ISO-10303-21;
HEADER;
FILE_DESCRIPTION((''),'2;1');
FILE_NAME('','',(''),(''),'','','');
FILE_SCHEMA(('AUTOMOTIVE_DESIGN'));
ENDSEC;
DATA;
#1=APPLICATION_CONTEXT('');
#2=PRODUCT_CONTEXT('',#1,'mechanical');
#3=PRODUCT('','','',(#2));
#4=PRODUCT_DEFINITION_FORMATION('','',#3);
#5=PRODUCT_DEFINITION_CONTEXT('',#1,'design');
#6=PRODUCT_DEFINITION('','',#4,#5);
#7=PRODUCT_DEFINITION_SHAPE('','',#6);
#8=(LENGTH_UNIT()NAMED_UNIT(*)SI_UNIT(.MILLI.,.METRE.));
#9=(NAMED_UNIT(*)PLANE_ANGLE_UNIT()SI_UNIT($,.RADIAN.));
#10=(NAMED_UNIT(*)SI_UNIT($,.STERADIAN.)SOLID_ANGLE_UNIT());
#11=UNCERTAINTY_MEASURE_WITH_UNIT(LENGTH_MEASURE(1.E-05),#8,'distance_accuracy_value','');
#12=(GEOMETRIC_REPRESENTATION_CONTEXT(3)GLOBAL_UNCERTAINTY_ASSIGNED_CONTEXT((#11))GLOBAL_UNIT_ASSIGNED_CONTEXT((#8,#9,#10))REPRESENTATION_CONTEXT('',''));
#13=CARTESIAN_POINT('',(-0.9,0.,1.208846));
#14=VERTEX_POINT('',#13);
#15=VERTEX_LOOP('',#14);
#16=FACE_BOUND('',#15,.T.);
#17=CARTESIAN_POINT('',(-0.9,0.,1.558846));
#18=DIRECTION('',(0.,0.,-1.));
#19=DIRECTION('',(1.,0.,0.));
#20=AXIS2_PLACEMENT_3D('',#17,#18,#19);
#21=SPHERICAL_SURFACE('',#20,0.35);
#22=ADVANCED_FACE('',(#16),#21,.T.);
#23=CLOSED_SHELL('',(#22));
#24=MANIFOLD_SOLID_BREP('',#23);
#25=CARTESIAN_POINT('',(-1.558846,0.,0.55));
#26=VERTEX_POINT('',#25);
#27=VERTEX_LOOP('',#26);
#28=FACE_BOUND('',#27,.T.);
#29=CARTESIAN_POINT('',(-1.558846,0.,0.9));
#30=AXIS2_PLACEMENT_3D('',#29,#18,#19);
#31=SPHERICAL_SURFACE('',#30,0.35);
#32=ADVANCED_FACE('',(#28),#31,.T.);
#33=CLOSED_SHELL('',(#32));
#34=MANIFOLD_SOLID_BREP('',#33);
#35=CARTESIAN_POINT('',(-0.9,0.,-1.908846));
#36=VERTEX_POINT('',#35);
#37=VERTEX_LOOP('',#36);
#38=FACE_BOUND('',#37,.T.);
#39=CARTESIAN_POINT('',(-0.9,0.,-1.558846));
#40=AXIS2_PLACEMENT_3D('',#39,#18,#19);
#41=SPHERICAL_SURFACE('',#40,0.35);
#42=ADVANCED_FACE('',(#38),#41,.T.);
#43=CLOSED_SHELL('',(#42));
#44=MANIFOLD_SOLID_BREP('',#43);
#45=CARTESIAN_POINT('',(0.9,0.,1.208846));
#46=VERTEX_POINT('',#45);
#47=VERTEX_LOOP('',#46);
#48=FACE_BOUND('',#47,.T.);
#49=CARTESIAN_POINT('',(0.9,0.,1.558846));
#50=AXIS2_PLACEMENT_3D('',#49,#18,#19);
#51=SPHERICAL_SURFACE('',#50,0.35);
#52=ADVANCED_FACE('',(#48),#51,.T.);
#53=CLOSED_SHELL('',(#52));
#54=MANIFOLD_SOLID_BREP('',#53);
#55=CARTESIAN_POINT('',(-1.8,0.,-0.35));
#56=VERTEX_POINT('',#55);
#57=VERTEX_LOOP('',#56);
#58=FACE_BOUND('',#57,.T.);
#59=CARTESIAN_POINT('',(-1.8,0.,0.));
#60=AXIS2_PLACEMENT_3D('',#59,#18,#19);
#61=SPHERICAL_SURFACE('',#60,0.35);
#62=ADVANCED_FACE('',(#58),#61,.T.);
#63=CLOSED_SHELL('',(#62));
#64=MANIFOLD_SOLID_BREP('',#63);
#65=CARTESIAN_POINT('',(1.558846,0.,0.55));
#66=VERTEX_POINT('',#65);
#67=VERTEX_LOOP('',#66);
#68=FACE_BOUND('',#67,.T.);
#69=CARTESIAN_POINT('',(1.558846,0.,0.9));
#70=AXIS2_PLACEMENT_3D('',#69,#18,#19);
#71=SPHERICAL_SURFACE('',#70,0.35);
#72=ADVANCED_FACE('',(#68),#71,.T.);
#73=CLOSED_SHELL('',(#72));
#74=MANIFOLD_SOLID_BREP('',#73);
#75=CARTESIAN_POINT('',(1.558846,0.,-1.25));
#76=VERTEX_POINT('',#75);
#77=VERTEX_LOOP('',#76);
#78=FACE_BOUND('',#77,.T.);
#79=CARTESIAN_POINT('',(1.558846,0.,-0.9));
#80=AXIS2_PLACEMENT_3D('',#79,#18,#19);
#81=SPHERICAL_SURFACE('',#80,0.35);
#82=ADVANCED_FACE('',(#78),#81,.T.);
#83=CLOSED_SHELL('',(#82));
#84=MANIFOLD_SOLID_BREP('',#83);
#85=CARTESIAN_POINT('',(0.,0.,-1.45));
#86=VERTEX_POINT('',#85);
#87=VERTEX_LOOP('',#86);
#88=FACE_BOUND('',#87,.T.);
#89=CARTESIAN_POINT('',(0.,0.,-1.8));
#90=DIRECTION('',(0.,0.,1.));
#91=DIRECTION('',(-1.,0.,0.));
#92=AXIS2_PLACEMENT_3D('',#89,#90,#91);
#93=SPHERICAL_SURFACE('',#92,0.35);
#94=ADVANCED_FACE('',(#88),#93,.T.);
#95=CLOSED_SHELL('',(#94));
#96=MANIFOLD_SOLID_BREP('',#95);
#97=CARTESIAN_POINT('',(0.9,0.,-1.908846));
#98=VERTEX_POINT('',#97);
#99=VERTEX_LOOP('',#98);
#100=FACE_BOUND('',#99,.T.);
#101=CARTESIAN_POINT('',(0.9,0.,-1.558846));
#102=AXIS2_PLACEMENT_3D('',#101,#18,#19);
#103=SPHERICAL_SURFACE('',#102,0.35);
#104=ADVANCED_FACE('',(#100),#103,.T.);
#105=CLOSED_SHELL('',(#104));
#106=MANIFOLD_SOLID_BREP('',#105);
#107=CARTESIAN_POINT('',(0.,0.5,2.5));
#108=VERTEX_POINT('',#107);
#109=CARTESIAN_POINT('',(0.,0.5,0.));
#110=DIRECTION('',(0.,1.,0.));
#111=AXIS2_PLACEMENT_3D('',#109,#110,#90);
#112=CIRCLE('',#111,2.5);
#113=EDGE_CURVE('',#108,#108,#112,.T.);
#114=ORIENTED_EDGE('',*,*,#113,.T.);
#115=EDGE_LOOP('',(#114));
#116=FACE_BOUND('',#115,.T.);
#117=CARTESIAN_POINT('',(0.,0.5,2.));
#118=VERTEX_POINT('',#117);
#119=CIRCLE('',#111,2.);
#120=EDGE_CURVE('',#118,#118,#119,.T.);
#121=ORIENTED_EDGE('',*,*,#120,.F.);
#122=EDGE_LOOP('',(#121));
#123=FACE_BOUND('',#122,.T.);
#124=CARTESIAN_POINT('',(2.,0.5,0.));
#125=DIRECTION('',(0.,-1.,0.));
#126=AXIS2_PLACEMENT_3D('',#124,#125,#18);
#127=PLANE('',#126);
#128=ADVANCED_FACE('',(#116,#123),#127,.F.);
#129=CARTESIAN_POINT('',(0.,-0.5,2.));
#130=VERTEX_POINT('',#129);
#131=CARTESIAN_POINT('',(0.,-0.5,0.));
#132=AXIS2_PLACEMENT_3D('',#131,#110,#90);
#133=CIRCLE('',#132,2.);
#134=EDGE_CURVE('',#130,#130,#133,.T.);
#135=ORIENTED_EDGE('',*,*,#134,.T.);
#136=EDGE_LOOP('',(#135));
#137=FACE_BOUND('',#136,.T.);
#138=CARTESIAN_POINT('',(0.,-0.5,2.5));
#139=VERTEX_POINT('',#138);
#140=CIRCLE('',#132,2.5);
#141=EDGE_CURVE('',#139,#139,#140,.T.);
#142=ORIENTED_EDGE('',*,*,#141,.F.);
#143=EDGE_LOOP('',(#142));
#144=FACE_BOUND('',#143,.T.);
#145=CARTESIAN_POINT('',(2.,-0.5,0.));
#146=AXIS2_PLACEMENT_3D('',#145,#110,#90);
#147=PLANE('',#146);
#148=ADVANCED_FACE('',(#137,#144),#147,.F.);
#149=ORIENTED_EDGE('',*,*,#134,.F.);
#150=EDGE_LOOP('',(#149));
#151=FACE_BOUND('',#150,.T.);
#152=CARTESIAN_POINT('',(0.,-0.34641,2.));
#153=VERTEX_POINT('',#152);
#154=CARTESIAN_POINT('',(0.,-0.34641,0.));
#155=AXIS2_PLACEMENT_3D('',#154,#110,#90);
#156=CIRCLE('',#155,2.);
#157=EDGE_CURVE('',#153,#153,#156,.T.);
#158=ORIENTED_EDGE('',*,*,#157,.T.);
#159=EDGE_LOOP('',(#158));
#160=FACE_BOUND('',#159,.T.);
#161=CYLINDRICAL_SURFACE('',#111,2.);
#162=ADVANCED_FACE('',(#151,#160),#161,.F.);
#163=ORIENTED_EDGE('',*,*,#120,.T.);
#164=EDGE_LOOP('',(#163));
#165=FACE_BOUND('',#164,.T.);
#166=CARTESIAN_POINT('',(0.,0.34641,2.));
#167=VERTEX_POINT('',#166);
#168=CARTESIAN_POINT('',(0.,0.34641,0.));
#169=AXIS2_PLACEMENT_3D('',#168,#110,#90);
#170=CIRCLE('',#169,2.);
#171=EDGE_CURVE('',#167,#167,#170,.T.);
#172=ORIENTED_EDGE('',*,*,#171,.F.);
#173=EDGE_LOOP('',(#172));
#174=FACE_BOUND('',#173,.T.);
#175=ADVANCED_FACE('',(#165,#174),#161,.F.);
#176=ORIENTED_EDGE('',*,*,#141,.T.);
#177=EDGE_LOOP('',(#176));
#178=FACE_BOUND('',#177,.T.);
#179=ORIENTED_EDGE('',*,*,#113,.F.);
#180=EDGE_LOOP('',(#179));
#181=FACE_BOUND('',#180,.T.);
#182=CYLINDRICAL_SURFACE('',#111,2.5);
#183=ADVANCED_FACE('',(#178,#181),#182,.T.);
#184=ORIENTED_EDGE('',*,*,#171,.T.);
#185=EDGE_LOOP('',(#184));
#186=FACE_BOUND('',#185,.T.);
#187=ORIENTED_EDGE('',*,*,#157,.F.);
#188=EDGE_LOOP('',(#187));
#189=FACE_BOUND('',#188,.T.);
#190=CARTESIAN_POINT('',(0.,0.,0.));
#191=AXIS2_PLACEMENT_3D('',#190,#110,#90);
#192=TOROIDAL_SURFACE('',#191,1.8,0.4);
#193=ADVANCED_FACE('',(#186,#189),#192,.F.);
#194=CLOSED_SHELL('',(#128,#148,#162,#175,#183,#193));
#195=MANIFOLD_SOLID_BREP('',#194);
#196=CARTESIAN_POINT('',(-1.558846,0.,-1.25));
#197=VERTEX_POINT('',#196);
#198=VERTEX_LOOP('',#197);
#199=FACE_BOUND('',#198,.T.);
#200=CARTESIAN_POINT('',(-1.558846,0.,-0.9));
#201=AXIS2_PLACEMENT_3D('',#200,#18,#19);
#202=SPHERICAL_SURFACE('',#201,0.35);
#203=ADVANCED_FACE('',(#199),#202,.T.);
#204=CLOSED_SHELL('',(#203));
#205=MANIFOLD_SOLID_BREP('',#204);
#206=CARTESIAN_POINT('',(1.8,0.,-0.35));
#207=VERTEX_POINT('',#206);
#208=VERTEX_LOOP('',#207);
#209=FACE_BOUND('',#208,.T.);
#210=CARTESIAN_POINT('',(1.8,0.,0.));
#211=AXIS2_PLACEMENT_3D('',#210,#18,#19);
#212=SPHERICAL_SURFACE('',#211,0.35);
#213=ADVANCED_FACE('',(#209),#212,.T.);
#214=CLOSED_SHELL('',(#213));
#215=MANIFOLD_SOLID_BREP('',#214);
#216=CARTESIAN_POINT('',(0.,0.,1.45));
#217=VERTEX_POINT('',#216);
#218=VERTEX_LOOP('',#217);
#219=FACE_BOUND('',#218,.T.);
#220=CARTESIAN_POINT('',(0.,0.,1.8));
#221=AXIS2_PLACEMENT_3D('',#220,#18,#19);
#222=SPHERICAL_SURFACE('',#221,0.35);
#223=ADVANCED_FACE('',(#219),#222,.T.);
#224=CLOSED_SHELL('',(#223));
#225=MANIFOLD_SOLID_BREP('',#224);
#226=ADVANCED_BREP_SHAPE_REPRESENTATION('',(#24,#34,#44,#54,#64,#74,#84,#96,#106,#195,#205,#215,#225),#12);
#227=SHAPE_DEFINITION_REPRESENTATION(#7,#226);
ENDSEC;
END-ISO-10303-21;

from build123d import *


with BuildPart() as part:
    # Çizim1 → Döndür1 (revolve)
    with BuildSketch(Plane.XY):
        with BuildLine():
            Line((2, 0.5), (2, 0.346410162))
            ThreePointArc((2, 0.346410162), (2.2, 0), (2, -0.346410162))
            Line((2, -0.346410162), (2, -0.5))
            Line((2, -0.5), (2.5, -0.5))
            Line((2.5, -0.5), (2.5, 0.5))
            Line((2.5, 0.5), (2, 0.5))
        make_face()
    revolve(axis=Axis((0, 0.5, 0), (0, -1, 0)))


with BuildPart() as body_2:
    # Çizim3 → Döndür3 (revolve)
    with BuildSketch(Plane(origin=(0, 0, 0), x_dir=(1, 0, 0), z_dir=(0, 1, 0))):
        with BuildLine():
            Line((1.8, 0.35), (1.8, -0.35))
            ThreePointArc((1.8, -0.35), (2.15, 0), (1.8, 0.35))
        make_face()
    revolve(axis=Axis((1.8, 0, -0.35), (0, 0, 1)))


with BuildPart() as body_3:
    # Çizim4 → Döndür4 (revolve)
    with BuildSketch(Plane(origin=(0, 0, 0), x_dir=(1, 0, 0), z_dir=(0, 1, 0))):
        with BuildLine():
            Line((1.558845727, 1.25), (1.558845727, 0.55))
            ThreePointArc((1.558845727, 0.55), (1.908845727, 0.9), (1.558845727, 1.25))
        make_face()
    revolve(axis=Axis((1.558845727, 0, -1.25), (0, 0, 1)))


with BuildPart() as body_4:
    # Çizim5 → Döndür5 (revolve)
    with BuildSketch(Plane(origin=(0, 0, 0), x_dir=(1, 0, 0), z_dir=(0, 1, 0))):
        with BuildLine():
            Line((0.9, 1.908845727), (0.9, 1.208845727))
            ThreePointArc((0.9, 1.208845727), (1.25, 1.558845727), (0.9, 1.908845727))
        make_face()
    revolve(axis=Axis((0.9, 0, -1.908845727), (0, 0, 1)))


with BuildPart() as body_5:
    # Çizim6 → Döndür6 (revolve)
    with BuildSketch(Plane(origin=(0, 0, 0), x_dir=(1, 0, 0), z_dir=(0, 1, 0))):
        with BuildLine():
            Line((0, 2.15), (0, 1.45))
            ThreePointArc((0, 1.45), (0.35, 1.8), (0, 2.15))
        make_face()
    revolve(axis=Axis((0, 0, 0), (0, 0, -1)))


with BuildPart() as body_6:
    # Çizim7 → Döndür7 (revolve)
    with BuildSketch(Plane(origin=(0, 0, 0), x_dir=(1, 0, 0), z_dir=(0, 1, 0))):
        with BuildLine():
            Line((-0.9, 1.908845727), (-0.9, 1.208845727))
            ThreePointArc((-0.9, 1.208845727), (-0.55, 1.558845727), (-0.9, 1.908845727))
        make_face()
    revolve(axis=Axis((-0.9, 0, -1.908845727), (0, 0, 1)))


with BuildPart() as body_7:
    # Çizim8 → Döndür8 (revolve)
    with BuildSketch(Plane(origin=(0, 0, 0), x_dir=(1, 0, 0), z_dir=(0, 1, 0))):
        with BuildLine():
            Line((-1.558845727, 1.25), (-1.558845727, 0.55))
            ThreePointArc((-1.558845727, 0.55), (-1.208845727, 0.9), (-1.558845727, 1.25))
        make_face()
    revolve(axis=Axis((-1.558845727, 0, -1.25), (0, 0, 1)))


with BuildPart() as body_8:
    # Çizim9 → Döndür9 (revolve)
    with BuildSketch(Plane(origin=(0, 0, 0), x_dir=(1, 0, 0), z_dir=(0, 1, 0))):
        with BuildLine():
            Line((-1.8, 0.35), (-1.8, -0.35))
            ThreePointArc((-1.8, -0.35), (-1.45, 0), (-1.8, 0.35))
        make_face()
    revolve(axis=Axis((-1.8, 0, -0.35), (0, 0, 1)))


with BuildPart() as body_9:
    # Çizim10 → Döndür10 (revolve)
    with BuildSketch(Plane(origin=(0, 0, 0), x_dir=(1, 0, 0), z_dir=(0, 1, 0))):
        with BuildLine():
            Line((-1.558845727, -0.55), (-1.558845727, -1.25))
            ThreePointArc((-1.558845727, -1.25), (-1.208845727, -0.9), (-1.558845727, -0.55))
        make_face()
    revolve(axis=Axis((-1.558845727, 0, 0.55), (0, 0, 1)))


with BuildPart() as body_10:
    # Çizim11 → Döndür11 (revolve)
    with BuildSketch(Plane(origin=(0, 0, 0), x_dir=(1, 0, 0), z_dir=(0, 1, 0))):
        with BuildLine():
            Line((-0.9, -1.208845727), (-0.9, -1.908845727))
            ThreePointArc((-0.9, -1.908845727), (-0.55, -1.558845727), (-0.9, -1.208845727))
        make_face()
    revolve(axis=Axis((-0.9, 0, 1.208845727), (0, 0, 1)))


with BuildPart() as body_11:
    # Çizim12 → Döndür12 (revolve)
    with BuildSketch(Plane(origin=(0, 0, 0), x_dir=(1, 0, 0), z_dir=(0, 1, 0))):
        with BuildLine():
            Line((0, -1.45), (0, -2.15))
            ThreePointArc((0, -2.15), (0.35, -1.8), (0, -1.45))
        make_face()
    revolve(axis=Axis((0, 0, 1.45), (0, 0, 1)))


with BuildPart() as body_12:
    # Çizim13 → Döndür13 (revolve)
    with BuildSketch(Plane(origin=(0, 0, 0), x_dir=(1, 0, 0), z_dir=(0, 1, 0))):
        with BuildLine():
            Line((0.9, -1.208845727), (0.9, -1.908845727))
            ThreePointArc((0.9, -1.908845727), (1.25, -1.558845727), (0.9, -1.208845727))
        make_face()
    revolve(axis=Axis((0.9, 0, 1.208845727), (0, 0, 1)))


with BuildPart() as body_13:
    # Çizim14 → Döndür14 (revolve)
    with BuildSketch(Plane(origin=(0, 0, 0), x_dir=(1, 0, 0), z_dir=(0, 1, 0))):
        with BuildLine():
            Line((1.558845727, -0.55), (1.558845727, -1.25))
            ThreePointArc((1.558845727, -1.25), (1.908845727, -0.9), (1.558845727, -0.55))
        make_face()
    revolve(axis=Axis((1.558845727, 0, 0.55), (0, 0, 1)))


solid = Compound([part.part, body_2.part, body_3.part, body_4.part, body_5.part, body_6.part, body_7.part, body_8.part, body_9.part, body_10.part, body_11.part, body_12.part, body_13.part])
